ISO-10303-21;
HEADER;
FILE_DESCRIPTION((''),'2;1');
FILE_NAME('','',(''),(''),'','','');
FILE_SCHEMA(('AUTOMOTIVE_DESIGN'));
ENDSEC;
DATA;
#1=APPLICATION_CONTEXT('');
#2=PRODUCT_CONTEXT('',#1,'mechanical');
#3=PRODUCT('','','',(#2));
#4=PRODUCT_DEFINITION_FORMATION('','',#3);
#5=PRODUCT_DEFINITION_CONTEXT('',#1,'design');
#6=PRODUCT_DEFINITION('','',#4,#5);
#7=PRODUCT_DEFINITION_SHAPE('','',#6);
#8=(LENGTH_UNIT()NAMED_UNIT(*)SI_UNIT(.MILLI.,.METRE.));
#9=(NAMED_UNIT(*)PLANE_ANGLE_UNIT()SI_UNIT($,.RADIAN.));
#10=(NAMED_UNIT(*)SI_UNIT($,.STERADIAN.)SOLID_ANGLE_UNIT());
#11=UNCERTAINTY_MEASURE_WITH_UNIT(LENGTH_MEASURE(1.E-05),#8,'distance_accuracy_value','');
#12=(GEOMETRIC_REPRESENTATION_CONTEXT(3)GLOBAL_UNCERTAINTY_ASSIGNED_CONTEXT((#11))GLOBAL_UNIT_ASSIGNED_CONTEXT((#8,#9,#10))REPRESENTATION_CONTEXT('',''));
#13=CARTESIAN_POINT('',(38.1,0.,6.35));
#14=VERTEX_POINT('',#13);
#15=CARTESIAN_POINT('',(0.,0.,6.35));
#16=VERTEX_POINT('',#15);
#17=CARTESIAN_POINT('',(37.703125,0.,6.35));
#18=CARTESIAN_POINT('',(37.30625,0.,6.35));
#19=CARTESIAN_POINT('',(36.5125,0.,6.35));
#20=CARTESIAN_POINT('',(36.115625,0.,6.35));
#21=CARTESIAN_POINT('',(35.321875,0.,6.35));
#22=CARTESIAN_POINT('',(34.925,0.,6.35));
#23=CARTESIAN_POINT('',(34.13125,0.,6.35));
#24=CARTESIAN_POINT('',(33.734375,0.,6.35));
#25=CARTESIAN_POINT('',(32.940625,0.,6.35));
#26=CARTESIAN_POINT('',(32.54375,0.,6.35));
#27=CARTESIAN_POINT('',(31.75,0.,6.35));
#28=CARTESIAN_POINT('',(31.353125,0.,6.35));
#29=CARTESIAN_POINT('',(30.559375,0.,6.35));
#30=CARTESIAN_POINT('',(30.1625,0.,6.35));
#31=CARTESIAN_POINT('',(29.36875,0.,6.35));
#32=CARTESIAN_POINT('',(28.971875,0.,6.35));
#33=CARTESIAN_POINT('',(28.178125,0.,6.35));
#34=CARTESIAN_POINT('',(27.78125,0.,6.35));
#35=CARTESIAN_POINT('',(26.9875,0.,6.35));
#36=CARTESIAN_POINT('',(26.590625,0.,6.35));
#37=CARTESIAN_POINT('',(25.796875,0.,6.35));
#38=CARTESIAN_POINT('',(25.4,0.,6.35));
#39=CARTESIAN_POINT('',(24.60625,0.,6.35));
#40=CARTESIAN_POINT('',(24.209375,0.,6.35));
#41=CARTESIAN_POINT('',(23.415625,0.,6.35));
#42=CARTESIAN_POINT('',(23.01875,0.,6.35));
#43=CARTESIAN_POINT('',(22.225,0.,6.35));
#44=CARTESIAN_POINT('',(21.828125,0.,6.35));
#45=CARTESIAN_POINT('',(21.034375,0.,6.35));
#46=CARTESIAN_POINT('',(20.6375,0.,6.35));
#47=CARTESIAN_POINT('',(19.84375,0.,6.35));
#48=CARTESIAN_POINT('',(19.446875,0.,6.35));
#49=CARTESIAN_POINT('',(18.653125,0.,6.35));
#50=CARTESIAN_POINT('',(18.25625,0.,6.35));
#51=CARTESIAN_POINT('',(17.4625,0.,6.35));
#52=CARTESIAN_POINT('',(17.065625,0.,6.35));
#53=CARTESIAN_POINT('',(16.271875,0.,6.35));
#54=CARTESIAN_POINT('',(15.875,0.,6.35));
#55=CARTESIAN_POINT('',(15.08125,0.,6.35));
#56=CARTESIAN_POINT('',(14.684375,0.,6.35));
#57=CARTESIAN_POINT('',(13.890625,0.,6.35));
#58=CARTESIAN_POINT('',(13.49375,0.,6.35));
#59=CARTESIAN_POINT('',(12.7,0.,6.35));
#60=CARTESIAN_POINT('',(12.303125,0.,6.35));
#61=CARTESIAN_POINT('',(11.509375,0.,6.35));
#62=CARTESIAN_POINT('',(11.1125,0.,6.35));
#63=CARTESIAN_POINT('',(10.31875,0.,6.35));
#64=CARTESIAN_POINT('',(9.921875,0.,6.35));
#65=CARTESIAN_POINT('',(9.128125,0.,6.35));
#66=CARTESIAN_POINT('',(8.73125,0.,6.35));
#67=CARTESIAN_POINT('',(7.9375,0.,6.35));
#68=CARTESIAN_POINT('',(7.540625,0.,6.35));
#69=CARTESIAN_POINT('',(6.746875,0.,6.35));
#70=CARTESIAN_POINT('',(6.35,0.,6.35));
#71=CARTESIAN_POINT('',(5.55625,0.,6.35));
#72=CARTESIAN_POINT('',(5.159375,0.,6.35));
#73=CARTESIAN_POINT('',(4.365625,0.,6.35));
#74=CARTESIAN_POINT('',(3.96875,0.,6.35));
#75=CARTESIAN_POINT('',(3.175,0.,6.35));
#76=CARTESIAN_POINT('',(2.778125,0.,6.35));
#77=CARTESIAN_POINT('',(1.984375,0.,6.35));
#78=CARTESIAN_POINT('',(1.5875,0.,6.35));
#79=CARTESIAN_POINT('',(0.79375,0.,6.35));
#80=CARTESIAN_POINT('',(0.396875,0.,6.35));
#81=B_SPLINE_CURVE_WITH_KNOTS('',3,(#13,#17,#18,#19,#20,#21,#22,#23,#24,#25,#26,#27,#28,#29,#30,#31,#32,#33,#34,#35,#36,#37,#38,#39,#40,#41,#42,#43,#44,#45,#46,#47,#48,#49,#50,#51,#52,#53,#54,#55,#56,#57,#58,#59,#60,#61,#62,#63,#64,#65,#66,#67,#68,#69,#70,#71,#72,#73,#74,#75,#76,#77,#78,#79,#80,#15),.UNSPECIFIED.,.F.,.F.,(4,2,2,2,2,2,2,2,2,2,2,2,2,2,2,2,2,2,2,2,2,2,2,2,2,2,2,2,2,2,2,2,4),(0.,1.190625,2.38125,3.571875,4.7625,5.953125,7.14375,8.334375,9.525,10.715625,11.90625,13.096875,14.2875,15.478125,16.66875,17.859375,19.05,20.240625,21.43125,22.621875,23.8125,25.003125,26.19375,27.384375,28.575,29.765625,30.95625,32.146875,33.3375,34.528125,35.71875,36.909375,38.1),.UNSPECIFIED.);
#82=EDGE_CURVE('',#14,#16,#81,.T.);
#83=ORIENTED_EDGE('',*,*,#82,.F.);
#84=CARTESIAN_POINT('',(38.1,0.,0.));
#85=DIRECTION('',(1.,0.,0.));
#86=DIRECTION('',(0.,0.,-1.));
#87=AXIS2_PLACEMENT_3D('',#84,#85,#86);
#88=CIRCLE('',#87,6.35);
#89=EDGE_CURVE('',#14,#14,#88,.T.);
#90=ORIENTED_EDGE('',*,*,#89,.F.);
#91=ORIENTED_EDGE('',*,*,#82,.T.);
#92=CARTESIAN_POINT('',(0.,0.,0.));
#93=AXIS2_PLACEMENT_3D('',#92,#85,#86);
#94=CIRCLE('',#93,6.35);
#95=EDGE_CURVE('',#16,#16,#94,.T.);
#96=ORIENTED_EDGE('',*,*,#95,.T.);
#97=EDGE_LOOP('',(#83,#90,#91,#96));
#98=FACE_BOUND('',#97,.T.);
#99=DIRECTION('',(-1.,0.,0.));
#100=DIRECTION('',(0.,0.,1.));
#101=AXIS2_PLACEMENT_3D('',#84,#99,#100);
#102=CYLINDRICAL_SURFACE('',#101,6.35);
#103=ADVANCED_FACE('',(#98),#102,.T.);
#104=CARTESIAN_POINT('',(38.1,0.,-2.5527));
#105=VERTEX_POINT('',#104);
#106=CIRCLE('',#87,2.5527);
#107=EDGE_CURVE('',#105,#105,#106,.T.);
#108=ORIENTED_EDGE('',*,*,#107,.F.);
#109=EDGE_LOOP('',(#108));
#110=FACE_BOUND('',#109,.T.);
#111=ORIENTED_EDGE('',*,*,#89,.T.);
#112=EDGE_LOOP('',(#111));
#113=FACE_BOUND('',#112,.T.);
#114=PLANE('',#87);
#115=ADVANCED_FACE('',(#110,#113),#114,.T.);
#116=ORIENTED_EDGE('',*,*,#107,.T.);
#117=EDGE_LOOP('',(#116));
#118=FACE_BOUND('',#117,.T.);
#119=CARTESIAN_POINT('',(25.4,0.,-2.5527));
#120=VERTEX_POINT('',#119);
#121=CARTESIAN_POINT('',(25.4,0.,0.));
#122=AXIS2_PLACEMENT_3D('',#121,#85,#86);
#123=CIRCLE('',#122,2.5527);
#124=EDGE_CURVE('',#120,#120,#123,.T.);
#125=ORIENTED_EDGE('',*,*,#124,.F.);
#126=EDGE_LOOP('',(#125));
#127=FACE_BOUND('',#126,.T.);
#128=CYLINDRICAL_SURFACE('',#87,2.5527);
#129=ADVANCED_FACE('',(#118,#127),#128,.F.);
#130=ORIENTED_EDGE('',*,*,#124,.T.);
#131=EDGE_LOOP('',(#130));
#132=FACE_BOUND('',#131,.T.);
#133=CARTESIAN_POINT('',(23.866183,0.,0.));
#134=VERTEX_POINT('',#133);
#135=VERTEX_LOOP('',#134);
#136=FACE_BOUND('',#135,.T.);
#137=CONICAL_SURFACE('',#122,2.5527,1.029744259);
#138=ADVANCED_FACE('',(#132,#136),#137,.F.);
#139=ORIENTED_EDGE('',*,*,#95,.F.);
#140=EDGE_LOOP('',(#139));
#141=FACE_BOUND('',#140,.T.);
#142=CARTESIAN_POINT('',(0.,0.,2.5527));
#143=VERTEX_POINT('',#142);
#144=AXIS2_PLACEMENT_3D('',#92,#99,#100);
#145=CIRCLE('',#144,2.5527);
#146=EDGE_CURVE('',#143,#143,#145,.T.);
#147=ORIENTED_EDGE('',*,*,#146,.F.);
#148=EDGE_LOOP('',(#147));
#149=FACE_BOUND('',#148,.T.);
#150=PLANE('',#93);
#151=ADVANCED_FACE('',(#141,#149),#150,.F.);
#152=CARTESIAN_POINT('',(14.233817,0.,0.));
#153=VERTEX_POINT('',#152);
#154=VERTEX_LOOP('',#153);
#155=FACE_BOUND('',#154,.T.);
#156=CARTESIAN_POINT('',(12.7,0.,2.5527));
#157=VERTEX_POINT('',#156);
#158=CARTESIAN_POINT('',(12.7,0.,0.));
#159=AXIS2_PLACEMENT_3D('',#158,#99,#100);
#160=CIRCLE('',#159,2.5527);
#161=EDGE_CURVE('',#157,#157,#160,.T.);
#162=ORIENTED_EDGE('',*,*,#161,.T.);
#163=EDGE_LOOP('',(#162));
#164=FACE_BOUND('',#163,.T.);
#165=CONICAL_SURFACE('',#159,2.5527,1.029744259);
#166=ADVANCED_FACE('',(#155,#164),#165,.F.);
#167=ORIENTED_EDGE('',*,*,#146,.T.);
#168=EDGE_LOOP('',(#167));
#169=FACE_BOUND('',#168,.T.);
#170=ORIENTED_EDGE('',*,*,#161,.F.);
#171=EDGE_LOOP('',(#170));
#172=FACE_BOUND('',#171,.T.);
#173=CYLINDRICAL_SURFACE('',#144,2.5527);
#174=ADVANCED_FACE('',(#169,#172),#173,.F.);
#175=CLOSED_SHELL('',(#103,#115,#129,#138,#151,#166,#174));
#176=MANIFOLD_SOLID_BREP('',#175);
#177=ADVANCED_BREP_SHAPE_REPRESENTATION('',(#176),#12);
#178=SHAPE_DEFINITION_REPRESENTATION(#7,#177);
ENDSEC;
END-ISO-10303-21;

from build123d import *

# Parameters (mm, degrees)
SKETCH1_R           = 6.35
BOSS_EXTRUDE1_DEPTH = 38.1


with BuildPart() as part:
    # Sketch1 → Boss-Extrude1 (new body)
    with BuildSketch(Plane(origin=(0, 0, 0), x_dir=(0, 0, -1), z_dir=(1, 0, 0))):
        with Locations(Location((0, 0, 0), (0, 0, 180))):
            Circle(SKETCH1_R)
    extrude(amount=BOSS_EXTRUDE1_DEPTH)

    # Sketch4 → Tap Drill for 1/4-20 Tap1 (revolve, cut)
    with BuildSketch(Plane.ZX):
        Polygon((0, 0), (0, 14.233816902), (2.5527, 12.7), (2.5527, 0), align=None)
    tap_drill_for_1_4_20_tap1 = revolve(axis=Axis((-6.35, 0, 0), (1, 0, 0)), mode=Mode.SUBTRACT)

    # Mirror1: Tap Drill for 1/4-20 Tap1 across plane
    add(tap_drill_for_1_4_20_tap1.mirror(Plane.ZY.offset(-19.05)), mode=Mode.SUBTRACT)


solid = part.part
